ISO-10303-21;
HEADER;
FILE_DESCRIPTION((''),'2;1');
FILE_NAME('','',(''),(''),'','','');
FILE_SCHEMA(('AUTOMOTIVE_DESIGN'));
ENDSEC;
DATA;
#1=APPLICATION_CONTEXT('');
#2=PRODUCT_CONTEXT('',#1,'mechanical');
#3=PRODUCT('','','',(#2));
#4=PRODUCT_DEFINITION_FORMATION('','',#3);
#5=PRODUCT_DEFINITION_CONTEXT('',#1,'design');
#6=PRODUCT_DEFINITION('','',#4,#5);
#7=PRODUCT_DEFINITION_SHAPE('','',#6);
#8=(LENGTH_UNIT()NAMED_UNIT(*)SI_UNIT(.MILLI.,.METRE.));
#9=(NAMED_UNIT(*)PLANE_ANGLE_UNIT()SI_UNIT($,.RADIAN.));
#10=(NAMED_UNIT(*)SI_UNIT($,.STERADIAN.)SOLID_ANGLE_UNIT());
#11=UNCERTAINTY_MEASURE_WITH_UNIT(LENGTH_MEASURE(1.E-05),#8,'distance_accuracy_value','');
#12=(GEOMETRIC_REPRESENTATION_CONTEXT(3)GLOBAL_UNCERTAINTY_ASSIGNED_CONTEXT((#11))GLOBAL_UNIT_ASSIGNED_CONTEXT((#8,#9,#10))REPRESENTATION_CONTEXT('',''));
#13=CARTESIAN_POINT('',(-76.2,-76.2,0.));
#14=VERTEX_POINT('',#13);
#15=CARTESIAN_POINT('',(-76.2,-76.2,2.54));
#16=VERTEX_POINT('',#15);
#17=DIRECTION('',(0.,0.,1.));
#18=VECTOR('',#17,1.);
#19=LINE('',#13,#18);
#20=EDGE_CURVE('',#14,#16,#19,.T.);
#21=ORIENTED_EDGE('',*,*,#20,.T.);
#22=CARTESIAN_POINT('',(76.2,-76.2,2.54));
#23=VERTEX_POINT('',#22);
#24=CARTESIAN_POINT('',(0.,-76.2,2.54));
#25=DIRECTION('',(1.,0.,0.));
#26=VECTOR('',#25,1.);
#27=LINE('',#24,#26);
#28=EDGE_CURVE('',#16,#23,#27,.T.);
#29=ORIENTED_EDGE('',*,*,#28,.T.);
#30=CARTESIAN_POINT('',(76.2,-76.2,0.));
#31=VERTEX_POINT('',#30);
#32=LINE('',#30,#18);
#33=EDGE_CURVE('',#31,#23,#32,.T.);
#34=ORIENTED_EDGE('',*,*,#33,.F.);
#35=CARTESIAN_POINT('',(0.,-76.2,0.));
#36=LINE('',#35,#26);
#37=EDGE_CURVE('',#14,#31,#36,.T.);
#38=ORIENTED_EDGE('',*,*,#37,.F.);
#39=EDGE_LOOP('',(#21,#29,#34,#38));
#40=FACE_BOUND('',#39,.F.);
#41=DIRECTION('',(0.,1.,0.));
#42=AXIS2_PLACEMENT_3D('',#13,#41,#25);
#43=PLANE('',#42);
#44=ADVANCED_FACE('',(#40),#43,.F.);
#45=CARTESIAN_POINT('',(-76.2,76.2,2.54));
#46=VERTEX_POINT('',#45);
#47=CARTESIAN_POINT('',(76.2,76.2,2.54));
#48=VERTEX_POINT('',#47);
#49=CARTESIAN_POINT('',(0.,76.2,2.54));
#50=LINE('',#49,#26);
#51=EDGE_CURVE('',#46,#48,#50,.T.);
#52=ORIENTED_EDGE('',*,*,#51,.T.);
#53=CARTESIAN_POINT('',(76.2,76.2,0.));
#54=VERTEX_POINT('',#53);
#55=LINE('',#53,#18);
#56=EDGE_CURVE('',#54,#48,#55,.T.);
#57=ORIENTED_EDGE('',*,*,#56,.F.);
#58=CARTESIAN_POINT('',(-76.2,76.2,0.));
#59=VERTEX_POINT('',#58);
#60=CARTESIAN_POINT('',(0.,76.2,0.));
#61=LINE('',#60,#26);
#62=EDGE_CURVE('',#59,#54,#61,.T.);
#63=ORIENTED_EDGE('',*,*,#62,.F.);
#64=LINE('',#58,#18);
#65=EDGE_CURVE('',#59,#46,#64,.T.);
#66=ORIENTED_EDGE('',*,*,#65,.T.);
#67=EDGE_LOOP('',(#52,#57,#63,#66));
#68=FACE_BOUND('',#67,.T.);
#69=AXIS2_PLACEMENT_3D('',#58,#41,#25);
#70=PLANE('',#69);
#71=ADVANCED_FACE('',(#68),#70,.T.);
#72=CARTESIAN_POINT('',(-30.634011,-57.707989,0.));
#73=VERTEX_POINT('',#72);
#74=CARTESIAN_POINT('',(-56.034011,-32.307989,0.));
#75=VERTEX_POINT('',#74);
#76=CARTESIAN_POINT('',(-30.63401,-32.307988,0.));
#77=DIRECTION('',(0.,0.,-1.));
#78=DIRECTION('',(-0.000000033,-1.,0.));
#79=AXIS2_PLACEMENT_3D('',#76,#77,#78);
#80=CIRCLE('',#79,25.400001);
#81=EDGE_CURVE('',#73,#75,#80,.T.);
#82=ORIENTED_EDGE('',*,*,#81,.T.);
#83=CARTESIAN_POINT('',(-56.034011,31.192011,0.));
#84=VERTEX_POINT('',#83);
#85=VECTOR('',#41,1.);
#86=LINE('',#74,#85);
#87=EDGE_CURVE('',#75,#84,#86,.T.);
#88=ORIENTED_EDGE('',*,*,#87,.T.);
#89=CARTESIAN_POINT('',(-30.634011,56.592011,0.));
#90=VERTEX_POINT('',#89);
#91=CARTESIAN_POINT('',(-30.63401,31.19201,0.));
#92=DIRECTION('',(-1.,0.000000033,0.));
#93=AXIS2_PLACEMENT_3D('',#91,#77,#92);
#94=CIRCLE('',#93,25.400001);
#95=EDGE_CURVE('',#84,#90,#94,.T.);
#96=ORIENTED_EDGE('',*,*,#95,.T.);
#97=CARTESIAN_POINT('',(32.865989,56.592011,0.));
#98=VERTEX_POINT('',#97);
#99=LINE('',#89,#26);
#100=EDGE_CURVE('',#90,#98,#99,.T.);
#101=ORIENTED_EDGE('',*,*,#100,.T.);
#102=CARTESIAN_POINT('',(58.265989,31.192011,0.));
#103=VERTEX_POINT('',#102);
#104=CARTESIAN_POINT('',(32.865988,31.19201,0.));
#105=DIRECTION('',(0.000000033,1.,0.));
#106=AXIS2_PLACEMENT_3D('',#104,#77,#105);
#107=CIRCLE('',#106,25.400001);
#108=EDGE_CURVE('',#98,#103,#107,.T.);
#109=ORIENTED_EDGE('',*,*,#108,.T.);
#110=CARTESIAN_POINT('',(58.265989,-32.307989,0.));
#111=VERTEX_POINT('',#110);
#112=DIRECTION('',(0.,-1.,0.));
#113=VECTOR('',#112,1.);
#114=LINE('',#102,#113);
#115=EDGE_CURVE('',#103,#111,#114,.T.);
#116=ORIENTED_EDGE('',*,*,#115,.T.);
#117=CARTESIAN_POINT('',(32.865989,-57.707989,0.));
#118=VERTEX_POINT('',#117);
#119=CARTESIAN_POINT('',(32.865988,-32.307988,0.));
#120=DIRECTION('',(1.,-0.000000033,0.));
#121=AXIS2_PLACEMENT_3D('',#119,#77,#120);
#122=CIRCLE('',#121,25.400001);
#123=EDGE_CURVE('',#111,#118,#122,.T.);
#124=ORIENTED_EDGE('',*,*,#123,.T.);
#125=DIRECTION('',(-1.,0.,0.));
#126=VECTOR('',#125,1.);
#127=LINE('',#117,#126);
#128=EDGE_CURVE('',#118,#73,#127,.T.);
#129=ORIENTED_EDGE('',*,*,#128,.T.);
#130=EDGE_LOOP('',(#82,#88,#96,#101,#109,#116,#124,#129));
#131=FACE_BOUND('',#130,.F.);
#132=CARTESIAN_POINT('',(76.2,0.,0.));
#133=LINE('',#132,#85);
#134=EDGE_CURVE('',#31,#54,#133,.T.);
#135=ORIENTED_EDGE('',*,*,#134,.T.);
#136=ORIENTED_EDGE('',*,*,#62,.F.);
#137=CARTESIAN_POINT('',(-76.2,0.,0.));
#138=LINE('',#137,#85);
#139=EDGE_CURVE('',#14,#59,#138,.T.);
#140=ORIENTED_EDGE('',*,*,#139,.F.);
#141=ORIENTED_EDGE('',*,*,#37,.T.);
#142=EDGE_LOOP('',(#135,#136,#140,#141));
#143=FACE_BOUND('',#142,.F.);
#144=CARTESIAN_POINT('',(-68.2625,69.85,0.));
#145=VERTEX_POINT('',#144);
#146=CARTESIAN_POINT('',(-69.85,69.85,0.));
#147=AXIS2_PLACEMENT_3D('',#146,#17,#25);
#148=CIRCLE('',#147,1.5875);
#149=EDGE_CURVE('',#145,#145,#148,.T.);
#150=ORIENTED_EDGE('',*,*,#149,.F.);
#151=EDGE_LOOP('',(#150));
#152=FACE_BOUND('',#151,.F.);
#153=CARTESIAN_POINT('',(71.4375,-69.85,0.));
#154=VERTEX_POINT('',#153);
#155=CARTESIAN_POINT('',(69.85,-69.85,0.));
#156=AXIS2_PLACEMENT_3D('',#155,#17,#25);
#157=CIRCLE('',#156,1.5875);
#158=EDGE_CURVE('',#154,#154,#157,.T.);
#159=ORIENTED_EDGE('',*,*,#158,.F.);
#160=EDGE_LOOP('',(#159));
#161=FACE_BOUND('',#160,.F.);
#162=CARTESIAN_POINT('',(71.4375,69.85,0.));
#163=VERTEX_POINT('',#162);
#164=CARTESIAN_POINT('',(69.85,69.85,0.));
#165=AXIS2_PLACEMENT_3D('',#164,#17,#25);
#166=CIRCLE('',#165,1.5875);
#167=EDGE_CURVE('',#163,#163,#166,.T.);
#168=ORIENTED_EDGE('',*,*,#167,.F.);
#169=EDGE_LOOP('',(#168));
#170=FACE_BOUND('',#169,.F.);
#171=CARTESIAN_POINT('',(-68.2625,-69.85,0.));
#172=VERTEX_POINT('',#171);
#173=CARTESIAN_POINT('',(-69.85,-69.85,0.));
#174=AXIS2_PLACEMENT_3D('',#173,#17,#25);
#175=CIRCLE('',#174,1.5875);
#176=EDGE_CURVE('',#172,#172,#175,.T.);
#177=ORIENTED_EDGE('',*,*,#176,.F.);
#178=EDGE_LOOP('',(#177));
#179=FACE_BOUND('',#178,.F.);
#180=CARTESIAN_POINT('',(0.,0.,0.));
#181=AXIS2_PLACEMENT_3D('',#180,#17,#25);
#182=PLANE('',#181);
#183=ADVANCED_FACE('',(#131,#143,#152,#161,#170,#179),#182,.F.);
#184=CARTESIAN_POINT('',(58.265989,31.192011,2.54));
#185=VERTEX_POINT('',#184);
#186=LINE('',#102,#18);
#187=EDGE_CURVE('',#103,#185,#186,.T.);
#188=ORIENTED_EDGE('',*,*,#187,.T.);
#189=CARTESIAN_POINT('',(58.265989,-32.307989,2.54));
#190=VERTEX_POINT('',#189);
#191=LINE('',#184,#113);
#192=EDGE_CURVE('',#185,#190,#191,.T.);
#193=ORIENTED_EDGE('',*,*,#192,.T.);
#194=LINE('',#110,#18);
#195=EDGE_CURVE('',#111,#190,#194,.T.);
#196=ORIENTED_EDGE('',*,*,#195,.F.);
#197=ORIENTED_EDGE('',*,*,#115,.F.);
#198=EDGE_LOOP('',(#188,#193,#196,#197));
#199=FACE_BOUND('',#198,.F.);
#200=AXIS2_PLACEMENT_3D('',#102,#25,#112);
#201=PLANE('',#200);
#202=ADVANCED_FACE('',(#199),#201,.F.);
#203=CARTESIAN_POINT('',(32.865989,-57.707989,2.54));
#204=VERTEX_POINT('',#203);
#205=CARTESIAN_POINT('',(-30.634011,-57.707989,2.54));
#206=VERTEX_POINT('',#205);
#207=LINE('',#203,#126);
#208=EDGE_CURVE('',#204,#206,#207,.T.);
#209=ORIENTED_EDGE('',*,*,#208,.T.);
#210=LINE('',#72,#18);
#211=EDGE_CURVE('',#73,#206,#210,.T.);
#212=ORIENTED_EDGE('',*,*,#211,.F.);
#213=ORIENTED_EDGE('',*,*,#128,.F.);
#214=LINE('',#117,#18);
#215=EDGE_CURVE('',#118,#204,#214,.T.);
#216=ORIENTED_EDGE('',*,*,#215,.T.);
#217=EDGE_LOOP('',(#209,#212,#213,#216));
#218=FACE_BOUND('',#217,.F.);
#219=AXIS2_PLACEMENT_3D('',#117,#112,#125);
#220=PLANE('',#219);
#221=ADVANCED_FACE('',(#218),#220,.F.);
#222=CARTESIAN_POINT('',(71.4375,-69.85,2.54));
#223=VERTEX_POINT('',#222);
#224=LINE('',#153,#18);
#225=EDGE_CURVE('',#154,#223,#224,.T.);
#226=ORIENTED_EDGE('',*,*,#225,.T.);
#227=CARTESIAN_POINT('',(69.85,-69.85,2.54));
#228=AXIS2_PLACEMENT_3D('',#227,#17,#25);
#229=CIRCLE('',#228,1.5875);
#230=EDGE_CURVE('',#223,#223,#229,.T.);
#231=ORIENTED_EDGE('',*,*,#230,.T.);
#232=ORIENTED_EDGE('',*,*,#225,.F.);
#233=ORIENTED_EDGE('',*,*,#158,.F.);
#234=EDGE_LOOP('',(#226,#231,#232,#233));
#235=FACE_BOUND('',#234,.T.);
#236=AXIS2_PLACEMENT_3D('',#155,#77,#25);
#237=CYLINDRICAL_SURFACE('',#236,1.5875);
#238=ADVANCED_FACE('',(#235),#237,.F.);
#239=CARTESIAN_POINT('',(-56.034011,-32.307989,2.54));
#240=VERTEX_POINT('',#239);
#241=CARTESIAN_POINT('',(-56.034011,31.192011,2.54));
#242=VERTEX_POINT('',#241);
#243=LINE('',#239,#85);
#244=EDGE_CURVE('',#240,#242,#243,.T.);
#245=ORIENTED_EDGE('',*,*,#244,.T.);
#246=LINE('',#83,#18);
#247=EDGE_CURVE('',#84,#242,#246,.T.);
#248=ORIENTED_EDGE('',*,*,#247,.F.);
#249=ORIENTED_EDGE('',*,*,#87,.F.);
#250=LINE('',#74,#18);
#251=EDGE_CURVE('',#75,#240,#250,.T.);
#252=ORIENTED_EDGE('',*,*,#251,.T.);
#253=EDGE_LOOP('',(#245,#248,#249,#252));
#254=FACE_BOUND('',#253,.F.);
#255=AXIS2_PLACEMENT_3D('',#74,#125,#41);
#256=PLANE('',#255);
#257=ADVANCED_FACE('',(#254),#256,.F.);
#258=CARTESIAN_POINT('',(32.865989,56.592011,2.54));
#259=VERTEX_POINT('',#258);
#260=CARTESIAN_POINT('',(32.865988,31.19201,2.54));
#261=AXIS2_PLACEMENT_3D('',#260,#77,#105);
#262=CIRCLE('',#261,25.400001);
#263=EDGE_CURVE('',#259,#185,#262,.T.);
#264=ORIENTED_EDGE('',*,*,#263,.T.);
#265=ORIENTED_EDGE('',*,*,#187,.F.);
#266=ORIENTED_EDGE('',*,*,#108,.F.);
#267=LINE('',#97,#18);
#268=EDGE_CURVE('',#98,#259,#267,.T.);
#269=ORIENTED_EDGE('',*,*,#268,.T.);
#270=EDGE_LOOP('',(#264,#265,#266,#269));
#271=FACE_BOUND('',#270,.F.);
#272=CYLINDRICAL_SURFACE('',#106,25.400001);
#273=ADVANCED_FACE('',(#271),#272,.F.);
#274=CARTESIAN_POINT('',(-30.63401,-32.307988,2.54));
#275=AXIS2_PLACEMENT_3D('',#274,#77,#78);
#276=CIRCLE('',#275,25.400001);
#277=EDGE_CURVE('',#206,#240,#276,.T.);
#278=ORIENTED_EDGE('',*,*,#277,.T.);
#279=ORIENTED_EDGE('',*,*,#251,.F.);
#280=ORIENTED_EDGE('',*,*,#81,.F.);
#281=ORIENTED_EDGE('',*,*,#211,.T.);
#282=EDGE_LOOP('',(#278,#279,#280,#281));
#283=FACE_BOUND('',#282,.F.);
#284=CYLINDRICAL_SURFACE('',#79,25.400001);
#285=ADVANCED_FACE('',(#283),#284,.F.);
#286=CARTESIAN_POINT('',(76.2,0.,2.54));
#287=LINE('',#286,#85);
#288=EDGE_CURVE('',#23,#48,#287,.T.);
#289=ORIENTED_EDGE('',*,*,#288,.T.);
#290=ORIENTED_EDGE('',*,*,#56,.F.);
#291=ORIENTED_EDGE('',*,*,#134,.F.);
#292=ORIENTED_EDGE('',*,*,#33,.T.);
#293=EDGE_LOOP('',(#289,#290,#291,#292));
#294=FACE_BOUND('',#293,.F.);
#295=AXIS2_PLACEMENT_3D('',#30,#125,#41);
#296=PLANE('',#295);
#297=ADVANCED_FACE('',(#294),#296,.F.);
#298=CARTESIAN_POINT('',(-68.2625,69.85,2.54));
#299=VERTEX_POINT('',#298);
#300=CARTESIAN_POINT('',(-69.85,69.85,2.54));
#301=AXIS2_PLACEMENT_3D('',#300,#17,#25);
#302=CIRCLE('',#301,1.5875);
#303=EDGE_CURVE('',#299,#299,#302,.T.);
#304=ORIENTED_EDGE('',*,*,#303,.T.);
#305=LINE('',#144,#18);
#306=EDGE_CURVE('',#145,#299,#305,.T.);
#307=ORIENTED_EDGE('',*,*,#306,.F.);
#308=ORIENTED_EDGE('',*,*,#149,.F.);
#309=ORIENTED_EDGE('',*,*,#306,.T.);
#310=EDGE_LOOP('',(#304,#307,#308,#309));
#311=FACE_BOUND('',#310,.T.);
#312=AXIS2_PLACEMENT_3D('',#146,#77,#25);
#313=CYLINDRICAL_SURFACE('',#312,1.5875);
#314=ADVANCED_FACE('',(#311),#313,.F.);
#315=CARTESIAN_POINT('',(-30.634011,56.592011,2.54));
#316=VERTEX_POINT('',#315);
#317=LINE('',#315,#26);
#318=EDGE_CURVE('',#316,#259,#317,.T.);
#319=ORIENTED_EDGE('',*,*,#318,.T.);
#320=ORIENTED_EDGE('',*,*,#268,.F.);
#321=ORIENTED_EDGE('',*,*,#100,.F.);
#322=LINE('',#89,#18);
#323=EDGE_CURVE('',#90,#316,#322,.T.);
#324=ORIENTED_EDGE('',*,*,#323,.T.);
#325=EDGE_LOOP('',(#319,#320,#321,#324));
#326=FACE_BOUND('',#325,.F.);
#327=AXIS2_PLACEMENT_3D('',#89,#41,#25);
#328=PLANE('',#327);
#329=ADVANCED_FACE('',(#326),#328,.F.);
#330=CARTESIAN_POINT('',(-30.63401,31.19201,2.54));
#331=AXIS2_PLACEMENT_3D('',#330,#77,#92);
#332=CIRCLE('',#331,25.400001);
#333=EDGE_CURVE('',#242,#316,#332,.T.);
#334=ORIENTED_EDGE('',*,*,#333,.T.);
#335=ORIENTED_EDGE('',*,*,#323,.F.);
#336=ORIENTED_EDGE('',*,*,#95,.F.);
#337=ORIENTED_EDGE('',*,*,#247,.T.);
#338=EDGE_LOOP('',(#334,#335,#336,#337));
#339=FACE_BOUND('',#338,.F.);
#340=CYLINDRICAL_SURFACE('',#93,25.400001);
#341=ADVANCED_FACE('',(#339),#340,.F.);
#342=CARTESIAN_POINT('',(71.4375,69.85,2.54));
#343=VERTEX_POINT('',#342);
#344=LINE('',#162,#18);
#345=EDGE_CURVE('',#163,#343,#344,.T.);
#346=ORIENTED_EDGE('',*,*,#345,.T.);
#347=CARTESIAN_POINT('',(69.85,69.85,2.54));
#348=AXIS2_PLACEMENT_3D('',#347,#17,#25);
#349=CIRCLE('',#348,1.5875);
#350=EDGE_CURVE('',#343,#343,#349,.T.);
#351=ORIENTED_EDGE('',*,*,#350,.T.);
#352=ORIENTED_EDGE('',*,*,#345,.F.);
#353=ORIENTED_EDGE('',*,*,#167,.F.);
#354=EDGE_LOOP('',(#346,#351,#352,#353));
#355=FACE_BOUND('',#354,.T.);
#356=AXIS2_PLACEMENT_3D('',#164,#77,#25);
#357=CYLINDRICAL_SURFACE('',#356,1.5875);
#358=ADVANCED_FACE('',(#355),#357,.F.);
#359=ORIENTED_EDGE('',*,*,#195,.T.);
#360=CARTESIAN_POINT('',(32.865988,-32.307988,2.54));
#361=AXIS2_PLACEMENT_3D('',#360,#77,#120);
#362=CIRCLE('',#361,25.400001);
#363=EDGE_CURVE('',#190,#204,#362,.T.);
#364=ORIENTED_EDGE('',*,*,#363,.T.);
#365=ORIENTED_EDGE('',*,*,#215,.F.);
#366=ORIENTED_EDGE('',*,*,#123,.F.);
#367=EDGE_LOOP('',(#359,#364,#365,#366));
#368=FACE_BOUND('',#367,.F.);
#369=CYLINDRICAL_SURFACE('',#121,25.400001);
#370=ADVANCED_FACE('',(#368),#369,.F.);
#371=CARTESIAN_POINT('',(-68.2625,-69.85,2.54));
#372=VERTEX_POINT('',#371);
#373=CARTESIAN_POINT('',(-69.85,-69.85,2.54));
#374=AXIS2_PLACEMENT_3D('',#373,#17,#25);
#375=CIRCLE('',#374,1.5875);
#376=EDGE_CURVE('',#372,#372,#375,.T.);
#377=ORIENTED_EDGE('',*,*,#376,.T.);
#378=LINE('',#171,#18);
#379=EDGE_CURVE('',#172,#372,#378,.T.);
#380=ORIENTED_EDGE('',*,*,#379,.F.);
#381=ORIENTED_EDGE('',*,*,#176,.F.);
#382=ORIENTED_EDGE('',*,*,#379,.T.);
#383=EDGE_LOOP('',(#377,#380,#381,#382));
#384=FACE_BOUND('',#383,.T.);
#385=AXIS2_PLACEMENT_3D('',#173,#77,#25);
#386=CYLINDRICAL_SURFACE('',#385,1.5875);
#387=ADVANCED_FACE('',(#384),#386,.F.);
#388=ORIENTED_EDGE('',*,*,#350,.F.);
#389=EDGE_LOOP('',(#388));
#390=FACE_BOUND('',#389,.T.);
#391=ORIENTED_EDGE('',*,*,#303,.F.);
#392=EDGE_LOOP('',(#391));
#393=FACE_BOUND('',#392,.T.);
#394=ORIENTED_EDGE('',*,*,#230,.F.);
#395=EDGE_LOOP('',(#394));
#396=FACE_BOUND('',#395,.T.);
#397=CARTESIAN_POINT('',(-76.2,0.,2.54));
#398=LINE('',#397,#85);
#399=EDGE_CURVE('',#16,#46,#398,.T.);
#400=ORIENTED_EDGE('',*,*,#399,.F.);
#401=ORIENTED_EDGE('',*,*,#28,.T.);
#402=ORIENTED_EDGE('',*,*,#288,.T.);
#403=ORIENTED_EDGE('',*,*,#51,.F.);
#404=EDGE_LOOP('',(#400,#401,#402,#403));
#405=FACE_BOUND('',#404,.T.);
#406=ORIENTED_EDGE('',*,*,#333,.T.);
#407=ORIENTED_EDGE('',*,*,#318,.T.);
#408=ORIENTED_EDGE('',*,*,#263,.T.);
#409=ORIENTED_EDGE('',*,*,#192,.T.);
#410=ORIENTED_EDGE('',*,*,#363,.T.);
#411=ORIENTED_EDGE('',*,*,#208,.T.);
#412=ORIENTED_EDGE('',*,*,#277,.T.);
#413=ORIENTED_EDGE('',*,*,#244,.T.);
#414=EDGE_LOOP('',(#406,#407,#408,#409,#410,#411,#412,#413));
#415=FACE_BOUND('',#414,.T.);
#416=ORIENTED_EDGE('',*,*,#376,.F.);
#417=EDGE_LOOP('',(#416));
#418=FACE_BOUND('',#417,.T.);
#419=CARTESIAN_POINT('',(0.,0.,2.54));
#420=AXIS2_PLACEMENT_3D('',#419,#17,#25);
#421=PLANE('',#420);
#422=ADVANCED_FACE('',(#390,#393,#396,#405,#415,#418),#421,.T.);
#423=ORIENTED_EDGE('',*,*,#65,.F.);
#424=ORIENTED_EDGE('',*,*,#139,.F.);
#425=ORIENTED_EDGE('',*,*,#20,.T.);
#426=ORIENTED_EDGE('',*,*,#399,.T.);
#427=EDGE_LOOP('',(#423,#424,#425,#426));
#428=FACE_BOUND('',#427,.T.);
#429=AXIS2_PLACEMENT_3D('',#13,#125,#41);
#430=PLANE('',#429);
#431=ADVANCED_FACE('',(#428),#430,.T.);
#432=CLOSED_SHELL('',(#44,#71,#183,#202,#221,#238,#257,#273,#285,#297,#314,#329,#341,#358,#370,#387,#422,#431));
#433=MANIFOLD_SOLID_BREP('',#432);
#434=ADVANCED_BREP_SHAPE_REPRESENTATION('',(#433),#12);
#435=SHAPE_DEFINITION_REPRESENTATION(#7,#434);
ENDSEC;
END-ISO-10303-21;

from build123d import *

# Parameters (mm, degrees)
F0_W     = 152.4
F0_H     = 152.4
F0_R     = 1.5875
F1_DEPTH = 2.54


with BuildPart() as f1:
    # F0 (on Top) → F1 (new body)
    with BuildSketch(Plane.XY):
        Rectangle(F0_W, F0_H)
        with Locations((-69.85, -69.85)):
            Circle(F0_R, mode=Mode.SUBTRACT)
        with Locations((69.85, -69.85)):
            Circle(F0_R, mode=Mode.SUBTRACT)
        with BuildLine():
            ThreePointArc((-56.034011, 31.192011), (-48.594523, 49.152523), (-30.634011, 56.592011))
            Line((-30.634011, 56.592011), (32.865989, 56.592011))
            ThreePointArc((32.865989, 56.592011), (50.826501, 49.152523), (58.265989, 31.192011))
            Line((58.265989, 31.192011), (58.265989, -32.307989))
            ThreePointArc((58.265989, -32.307989), (50.826501, -50.268501), (32.865989, -57.707989))
            Line((32.865989, -57.707989), (-30.634011, -57.707989))
            ThreePointArc((-30.634011, -57.707989), (-48.594523, -50.268501), (-56.034011, -32.307989))
            Line((-56.034011, -32.307989), (-56.034011, 31.192011))
        make_face(mode=Mode.SUBTRACT)
        with Locations((-69.85, 69.85)):
            Circle(F0_R, mode=Mode.SUBTRACT)
        with Locations((69.85, 69.85)):
            Circle(F0_R, mode=Mode.SUBTRACT)
    extrude(amount=F1_DEPTH)


solid = f1.part
